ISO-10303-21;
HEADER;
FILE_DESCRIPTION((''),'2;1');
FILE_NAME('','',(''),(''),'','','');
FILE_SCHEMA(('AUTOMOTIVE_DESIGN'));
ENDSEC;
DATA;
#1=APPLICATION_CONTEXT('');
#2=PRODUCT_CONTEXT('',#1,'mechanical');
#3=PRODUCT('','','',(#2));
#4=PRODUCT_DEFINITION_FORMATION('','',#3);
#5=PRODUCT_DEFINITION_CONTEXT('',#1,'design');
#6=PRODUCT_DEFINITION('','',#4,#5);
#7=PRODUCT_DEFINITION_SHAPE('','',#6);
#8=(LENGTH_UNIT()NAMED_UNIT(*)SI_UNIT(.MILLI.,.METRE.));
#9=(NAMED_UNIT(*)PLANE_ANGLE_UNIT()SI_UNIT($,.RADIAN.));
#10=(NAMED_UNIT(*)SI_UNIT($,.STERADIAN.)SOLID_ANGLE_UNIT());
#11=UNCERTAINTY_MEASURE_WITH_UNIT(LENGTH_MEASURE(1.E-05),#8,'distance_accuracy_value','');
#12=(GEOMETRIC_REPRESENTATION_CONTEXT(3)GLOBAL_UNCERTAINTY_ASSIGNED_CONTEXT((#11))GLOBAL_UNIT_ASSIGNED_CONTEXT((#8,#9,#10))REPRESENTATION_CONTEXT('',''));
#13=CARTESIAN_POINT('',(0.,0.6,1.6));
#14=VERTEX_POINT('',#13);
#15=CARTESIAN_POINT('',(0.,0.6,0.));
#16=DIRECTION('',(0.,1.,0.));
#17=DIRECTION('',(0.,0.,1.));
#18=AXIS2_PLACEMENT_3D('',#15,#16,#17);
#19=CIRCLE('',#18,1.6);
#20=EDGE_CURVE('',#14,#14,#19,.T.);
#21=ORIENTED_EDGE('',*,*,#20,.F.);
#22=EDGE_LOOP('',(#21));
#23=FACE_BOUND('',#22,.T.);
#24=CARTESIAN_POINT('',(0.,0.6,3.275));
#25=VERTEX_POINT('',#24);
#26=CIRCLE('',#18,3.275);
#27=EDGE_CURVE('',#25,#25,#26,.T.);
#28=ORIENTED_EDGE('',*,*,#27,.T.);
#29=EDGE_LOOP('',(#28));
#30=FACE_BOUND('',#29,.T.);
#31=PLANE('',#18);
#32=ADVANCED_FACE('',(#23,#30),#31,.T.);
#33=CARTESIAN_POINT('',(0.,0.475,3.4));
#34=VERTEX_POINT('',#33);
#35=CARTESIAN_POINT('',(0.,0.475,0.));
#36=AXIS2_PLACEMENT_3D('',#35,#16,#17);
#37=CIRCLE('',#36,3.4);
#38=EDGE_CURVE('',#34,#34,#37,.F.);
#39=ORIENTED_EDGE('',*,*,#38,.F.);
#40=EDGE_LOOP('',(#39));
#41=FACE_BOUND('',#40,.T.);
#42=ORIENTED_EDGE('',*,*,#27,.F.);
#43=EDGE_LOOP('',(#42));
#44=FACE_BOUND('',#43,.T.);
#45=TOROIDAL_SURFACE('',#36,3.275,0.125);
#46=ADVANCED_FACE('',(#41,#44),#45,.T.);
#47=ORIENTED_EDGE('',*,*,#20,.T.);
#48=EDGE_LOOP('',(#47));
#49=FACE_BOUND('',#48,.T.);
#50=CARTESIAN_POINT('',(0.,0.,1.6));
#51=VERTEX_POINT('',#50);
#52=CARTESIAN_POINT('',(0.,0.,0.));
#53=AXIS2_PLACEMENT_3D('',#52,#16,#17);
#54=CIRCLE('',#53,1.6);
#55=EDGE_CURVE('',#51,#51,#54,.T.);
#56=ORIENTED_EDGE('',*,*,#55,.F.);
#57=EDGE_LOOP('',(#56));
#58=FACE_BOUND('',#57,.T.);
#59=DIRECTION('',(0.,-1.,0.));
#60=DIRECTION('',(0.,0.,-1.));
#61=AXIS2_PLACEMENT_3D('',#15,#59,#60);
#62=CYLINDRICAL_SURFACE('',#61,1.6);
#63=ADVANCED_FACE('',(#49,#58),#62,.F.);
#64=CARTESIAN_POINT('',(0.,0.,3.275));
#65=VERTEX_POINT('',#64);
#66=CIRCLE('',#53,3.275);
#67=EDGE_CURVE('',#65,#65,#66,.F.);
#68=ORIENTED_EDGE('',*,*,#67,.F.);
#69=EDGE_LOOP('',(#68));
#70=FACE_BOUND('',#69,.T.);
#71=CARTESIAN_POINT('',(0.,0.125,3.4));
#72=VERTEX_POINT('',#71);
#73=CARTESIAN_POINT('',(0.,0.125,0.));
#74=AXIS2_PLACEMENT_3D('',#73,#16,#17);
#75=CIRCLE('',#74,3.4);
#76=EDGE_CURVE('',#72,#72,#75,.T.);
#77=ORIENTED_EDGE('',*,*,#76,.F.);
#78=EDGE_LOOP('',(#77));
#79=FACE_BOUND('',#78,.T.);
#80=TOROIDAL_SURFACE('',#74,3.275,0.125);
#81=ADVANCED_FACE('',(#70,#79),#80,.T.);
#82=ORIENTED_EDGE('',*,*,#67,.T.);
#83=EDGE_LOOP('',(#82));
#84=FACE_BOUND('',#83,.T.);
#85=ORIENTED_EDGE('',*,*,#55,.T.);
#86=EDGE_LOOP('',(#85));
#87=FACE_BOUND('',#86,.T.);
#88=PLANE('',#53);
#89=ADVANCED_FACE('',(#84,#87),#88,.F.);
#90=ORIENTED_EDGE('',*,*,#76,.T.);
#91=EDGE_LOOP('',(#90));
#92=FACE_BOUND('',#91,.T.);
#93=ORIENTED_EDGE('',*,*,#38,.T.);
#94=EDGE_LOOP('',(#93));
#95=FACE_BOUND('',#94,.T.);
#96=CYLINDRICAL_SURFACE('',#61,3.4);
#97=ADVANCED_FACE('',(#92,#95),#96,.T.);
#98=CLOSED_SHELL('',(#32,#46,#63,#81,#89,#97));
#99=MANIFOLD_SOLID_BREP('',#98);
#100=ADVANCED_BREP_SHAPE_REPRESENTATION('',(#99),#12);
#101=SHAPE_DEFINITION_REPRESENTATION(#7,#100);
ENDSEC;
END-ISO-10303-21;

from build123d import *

# Parameters (mm, degrees)
SKETCH1_R           = 3.4
SKETCH1_R_2         = 1.6
BOSS_EXTRUDE1_DEPTH = 0.6
FILLET1_R           = 0.125


with BuildPart() as part:
    # Sketch1 → Boss-Extrude1 (new body)
    with BuildSketch(Plane(origin=(0, 0, 0), x_dir=(1, 0, 0), z_dir=(0, 1, 0))):
        with Locations(Location((0, 0, 0), (0, 0, 270))):
            Circle(SKETCH1_R)
        with Locations(Location((0, 0, 0), (0, 0, 270))):
            Circle(SKETCH1_R_2, mode=Mode.SUBTRACT)
    extrude(amount=BOSS_EXTRUDE1_DEPTH)

    # Fillet1
    fillet1_edges = [part.edges().sort_by_distance(p)[0] for p in [
        (0, 0, -3.4),
        (0, 0.6, -3.4),
    ]]
    fillet(fillet1_edges, radius=FILLET1_R)


solid = part.part
